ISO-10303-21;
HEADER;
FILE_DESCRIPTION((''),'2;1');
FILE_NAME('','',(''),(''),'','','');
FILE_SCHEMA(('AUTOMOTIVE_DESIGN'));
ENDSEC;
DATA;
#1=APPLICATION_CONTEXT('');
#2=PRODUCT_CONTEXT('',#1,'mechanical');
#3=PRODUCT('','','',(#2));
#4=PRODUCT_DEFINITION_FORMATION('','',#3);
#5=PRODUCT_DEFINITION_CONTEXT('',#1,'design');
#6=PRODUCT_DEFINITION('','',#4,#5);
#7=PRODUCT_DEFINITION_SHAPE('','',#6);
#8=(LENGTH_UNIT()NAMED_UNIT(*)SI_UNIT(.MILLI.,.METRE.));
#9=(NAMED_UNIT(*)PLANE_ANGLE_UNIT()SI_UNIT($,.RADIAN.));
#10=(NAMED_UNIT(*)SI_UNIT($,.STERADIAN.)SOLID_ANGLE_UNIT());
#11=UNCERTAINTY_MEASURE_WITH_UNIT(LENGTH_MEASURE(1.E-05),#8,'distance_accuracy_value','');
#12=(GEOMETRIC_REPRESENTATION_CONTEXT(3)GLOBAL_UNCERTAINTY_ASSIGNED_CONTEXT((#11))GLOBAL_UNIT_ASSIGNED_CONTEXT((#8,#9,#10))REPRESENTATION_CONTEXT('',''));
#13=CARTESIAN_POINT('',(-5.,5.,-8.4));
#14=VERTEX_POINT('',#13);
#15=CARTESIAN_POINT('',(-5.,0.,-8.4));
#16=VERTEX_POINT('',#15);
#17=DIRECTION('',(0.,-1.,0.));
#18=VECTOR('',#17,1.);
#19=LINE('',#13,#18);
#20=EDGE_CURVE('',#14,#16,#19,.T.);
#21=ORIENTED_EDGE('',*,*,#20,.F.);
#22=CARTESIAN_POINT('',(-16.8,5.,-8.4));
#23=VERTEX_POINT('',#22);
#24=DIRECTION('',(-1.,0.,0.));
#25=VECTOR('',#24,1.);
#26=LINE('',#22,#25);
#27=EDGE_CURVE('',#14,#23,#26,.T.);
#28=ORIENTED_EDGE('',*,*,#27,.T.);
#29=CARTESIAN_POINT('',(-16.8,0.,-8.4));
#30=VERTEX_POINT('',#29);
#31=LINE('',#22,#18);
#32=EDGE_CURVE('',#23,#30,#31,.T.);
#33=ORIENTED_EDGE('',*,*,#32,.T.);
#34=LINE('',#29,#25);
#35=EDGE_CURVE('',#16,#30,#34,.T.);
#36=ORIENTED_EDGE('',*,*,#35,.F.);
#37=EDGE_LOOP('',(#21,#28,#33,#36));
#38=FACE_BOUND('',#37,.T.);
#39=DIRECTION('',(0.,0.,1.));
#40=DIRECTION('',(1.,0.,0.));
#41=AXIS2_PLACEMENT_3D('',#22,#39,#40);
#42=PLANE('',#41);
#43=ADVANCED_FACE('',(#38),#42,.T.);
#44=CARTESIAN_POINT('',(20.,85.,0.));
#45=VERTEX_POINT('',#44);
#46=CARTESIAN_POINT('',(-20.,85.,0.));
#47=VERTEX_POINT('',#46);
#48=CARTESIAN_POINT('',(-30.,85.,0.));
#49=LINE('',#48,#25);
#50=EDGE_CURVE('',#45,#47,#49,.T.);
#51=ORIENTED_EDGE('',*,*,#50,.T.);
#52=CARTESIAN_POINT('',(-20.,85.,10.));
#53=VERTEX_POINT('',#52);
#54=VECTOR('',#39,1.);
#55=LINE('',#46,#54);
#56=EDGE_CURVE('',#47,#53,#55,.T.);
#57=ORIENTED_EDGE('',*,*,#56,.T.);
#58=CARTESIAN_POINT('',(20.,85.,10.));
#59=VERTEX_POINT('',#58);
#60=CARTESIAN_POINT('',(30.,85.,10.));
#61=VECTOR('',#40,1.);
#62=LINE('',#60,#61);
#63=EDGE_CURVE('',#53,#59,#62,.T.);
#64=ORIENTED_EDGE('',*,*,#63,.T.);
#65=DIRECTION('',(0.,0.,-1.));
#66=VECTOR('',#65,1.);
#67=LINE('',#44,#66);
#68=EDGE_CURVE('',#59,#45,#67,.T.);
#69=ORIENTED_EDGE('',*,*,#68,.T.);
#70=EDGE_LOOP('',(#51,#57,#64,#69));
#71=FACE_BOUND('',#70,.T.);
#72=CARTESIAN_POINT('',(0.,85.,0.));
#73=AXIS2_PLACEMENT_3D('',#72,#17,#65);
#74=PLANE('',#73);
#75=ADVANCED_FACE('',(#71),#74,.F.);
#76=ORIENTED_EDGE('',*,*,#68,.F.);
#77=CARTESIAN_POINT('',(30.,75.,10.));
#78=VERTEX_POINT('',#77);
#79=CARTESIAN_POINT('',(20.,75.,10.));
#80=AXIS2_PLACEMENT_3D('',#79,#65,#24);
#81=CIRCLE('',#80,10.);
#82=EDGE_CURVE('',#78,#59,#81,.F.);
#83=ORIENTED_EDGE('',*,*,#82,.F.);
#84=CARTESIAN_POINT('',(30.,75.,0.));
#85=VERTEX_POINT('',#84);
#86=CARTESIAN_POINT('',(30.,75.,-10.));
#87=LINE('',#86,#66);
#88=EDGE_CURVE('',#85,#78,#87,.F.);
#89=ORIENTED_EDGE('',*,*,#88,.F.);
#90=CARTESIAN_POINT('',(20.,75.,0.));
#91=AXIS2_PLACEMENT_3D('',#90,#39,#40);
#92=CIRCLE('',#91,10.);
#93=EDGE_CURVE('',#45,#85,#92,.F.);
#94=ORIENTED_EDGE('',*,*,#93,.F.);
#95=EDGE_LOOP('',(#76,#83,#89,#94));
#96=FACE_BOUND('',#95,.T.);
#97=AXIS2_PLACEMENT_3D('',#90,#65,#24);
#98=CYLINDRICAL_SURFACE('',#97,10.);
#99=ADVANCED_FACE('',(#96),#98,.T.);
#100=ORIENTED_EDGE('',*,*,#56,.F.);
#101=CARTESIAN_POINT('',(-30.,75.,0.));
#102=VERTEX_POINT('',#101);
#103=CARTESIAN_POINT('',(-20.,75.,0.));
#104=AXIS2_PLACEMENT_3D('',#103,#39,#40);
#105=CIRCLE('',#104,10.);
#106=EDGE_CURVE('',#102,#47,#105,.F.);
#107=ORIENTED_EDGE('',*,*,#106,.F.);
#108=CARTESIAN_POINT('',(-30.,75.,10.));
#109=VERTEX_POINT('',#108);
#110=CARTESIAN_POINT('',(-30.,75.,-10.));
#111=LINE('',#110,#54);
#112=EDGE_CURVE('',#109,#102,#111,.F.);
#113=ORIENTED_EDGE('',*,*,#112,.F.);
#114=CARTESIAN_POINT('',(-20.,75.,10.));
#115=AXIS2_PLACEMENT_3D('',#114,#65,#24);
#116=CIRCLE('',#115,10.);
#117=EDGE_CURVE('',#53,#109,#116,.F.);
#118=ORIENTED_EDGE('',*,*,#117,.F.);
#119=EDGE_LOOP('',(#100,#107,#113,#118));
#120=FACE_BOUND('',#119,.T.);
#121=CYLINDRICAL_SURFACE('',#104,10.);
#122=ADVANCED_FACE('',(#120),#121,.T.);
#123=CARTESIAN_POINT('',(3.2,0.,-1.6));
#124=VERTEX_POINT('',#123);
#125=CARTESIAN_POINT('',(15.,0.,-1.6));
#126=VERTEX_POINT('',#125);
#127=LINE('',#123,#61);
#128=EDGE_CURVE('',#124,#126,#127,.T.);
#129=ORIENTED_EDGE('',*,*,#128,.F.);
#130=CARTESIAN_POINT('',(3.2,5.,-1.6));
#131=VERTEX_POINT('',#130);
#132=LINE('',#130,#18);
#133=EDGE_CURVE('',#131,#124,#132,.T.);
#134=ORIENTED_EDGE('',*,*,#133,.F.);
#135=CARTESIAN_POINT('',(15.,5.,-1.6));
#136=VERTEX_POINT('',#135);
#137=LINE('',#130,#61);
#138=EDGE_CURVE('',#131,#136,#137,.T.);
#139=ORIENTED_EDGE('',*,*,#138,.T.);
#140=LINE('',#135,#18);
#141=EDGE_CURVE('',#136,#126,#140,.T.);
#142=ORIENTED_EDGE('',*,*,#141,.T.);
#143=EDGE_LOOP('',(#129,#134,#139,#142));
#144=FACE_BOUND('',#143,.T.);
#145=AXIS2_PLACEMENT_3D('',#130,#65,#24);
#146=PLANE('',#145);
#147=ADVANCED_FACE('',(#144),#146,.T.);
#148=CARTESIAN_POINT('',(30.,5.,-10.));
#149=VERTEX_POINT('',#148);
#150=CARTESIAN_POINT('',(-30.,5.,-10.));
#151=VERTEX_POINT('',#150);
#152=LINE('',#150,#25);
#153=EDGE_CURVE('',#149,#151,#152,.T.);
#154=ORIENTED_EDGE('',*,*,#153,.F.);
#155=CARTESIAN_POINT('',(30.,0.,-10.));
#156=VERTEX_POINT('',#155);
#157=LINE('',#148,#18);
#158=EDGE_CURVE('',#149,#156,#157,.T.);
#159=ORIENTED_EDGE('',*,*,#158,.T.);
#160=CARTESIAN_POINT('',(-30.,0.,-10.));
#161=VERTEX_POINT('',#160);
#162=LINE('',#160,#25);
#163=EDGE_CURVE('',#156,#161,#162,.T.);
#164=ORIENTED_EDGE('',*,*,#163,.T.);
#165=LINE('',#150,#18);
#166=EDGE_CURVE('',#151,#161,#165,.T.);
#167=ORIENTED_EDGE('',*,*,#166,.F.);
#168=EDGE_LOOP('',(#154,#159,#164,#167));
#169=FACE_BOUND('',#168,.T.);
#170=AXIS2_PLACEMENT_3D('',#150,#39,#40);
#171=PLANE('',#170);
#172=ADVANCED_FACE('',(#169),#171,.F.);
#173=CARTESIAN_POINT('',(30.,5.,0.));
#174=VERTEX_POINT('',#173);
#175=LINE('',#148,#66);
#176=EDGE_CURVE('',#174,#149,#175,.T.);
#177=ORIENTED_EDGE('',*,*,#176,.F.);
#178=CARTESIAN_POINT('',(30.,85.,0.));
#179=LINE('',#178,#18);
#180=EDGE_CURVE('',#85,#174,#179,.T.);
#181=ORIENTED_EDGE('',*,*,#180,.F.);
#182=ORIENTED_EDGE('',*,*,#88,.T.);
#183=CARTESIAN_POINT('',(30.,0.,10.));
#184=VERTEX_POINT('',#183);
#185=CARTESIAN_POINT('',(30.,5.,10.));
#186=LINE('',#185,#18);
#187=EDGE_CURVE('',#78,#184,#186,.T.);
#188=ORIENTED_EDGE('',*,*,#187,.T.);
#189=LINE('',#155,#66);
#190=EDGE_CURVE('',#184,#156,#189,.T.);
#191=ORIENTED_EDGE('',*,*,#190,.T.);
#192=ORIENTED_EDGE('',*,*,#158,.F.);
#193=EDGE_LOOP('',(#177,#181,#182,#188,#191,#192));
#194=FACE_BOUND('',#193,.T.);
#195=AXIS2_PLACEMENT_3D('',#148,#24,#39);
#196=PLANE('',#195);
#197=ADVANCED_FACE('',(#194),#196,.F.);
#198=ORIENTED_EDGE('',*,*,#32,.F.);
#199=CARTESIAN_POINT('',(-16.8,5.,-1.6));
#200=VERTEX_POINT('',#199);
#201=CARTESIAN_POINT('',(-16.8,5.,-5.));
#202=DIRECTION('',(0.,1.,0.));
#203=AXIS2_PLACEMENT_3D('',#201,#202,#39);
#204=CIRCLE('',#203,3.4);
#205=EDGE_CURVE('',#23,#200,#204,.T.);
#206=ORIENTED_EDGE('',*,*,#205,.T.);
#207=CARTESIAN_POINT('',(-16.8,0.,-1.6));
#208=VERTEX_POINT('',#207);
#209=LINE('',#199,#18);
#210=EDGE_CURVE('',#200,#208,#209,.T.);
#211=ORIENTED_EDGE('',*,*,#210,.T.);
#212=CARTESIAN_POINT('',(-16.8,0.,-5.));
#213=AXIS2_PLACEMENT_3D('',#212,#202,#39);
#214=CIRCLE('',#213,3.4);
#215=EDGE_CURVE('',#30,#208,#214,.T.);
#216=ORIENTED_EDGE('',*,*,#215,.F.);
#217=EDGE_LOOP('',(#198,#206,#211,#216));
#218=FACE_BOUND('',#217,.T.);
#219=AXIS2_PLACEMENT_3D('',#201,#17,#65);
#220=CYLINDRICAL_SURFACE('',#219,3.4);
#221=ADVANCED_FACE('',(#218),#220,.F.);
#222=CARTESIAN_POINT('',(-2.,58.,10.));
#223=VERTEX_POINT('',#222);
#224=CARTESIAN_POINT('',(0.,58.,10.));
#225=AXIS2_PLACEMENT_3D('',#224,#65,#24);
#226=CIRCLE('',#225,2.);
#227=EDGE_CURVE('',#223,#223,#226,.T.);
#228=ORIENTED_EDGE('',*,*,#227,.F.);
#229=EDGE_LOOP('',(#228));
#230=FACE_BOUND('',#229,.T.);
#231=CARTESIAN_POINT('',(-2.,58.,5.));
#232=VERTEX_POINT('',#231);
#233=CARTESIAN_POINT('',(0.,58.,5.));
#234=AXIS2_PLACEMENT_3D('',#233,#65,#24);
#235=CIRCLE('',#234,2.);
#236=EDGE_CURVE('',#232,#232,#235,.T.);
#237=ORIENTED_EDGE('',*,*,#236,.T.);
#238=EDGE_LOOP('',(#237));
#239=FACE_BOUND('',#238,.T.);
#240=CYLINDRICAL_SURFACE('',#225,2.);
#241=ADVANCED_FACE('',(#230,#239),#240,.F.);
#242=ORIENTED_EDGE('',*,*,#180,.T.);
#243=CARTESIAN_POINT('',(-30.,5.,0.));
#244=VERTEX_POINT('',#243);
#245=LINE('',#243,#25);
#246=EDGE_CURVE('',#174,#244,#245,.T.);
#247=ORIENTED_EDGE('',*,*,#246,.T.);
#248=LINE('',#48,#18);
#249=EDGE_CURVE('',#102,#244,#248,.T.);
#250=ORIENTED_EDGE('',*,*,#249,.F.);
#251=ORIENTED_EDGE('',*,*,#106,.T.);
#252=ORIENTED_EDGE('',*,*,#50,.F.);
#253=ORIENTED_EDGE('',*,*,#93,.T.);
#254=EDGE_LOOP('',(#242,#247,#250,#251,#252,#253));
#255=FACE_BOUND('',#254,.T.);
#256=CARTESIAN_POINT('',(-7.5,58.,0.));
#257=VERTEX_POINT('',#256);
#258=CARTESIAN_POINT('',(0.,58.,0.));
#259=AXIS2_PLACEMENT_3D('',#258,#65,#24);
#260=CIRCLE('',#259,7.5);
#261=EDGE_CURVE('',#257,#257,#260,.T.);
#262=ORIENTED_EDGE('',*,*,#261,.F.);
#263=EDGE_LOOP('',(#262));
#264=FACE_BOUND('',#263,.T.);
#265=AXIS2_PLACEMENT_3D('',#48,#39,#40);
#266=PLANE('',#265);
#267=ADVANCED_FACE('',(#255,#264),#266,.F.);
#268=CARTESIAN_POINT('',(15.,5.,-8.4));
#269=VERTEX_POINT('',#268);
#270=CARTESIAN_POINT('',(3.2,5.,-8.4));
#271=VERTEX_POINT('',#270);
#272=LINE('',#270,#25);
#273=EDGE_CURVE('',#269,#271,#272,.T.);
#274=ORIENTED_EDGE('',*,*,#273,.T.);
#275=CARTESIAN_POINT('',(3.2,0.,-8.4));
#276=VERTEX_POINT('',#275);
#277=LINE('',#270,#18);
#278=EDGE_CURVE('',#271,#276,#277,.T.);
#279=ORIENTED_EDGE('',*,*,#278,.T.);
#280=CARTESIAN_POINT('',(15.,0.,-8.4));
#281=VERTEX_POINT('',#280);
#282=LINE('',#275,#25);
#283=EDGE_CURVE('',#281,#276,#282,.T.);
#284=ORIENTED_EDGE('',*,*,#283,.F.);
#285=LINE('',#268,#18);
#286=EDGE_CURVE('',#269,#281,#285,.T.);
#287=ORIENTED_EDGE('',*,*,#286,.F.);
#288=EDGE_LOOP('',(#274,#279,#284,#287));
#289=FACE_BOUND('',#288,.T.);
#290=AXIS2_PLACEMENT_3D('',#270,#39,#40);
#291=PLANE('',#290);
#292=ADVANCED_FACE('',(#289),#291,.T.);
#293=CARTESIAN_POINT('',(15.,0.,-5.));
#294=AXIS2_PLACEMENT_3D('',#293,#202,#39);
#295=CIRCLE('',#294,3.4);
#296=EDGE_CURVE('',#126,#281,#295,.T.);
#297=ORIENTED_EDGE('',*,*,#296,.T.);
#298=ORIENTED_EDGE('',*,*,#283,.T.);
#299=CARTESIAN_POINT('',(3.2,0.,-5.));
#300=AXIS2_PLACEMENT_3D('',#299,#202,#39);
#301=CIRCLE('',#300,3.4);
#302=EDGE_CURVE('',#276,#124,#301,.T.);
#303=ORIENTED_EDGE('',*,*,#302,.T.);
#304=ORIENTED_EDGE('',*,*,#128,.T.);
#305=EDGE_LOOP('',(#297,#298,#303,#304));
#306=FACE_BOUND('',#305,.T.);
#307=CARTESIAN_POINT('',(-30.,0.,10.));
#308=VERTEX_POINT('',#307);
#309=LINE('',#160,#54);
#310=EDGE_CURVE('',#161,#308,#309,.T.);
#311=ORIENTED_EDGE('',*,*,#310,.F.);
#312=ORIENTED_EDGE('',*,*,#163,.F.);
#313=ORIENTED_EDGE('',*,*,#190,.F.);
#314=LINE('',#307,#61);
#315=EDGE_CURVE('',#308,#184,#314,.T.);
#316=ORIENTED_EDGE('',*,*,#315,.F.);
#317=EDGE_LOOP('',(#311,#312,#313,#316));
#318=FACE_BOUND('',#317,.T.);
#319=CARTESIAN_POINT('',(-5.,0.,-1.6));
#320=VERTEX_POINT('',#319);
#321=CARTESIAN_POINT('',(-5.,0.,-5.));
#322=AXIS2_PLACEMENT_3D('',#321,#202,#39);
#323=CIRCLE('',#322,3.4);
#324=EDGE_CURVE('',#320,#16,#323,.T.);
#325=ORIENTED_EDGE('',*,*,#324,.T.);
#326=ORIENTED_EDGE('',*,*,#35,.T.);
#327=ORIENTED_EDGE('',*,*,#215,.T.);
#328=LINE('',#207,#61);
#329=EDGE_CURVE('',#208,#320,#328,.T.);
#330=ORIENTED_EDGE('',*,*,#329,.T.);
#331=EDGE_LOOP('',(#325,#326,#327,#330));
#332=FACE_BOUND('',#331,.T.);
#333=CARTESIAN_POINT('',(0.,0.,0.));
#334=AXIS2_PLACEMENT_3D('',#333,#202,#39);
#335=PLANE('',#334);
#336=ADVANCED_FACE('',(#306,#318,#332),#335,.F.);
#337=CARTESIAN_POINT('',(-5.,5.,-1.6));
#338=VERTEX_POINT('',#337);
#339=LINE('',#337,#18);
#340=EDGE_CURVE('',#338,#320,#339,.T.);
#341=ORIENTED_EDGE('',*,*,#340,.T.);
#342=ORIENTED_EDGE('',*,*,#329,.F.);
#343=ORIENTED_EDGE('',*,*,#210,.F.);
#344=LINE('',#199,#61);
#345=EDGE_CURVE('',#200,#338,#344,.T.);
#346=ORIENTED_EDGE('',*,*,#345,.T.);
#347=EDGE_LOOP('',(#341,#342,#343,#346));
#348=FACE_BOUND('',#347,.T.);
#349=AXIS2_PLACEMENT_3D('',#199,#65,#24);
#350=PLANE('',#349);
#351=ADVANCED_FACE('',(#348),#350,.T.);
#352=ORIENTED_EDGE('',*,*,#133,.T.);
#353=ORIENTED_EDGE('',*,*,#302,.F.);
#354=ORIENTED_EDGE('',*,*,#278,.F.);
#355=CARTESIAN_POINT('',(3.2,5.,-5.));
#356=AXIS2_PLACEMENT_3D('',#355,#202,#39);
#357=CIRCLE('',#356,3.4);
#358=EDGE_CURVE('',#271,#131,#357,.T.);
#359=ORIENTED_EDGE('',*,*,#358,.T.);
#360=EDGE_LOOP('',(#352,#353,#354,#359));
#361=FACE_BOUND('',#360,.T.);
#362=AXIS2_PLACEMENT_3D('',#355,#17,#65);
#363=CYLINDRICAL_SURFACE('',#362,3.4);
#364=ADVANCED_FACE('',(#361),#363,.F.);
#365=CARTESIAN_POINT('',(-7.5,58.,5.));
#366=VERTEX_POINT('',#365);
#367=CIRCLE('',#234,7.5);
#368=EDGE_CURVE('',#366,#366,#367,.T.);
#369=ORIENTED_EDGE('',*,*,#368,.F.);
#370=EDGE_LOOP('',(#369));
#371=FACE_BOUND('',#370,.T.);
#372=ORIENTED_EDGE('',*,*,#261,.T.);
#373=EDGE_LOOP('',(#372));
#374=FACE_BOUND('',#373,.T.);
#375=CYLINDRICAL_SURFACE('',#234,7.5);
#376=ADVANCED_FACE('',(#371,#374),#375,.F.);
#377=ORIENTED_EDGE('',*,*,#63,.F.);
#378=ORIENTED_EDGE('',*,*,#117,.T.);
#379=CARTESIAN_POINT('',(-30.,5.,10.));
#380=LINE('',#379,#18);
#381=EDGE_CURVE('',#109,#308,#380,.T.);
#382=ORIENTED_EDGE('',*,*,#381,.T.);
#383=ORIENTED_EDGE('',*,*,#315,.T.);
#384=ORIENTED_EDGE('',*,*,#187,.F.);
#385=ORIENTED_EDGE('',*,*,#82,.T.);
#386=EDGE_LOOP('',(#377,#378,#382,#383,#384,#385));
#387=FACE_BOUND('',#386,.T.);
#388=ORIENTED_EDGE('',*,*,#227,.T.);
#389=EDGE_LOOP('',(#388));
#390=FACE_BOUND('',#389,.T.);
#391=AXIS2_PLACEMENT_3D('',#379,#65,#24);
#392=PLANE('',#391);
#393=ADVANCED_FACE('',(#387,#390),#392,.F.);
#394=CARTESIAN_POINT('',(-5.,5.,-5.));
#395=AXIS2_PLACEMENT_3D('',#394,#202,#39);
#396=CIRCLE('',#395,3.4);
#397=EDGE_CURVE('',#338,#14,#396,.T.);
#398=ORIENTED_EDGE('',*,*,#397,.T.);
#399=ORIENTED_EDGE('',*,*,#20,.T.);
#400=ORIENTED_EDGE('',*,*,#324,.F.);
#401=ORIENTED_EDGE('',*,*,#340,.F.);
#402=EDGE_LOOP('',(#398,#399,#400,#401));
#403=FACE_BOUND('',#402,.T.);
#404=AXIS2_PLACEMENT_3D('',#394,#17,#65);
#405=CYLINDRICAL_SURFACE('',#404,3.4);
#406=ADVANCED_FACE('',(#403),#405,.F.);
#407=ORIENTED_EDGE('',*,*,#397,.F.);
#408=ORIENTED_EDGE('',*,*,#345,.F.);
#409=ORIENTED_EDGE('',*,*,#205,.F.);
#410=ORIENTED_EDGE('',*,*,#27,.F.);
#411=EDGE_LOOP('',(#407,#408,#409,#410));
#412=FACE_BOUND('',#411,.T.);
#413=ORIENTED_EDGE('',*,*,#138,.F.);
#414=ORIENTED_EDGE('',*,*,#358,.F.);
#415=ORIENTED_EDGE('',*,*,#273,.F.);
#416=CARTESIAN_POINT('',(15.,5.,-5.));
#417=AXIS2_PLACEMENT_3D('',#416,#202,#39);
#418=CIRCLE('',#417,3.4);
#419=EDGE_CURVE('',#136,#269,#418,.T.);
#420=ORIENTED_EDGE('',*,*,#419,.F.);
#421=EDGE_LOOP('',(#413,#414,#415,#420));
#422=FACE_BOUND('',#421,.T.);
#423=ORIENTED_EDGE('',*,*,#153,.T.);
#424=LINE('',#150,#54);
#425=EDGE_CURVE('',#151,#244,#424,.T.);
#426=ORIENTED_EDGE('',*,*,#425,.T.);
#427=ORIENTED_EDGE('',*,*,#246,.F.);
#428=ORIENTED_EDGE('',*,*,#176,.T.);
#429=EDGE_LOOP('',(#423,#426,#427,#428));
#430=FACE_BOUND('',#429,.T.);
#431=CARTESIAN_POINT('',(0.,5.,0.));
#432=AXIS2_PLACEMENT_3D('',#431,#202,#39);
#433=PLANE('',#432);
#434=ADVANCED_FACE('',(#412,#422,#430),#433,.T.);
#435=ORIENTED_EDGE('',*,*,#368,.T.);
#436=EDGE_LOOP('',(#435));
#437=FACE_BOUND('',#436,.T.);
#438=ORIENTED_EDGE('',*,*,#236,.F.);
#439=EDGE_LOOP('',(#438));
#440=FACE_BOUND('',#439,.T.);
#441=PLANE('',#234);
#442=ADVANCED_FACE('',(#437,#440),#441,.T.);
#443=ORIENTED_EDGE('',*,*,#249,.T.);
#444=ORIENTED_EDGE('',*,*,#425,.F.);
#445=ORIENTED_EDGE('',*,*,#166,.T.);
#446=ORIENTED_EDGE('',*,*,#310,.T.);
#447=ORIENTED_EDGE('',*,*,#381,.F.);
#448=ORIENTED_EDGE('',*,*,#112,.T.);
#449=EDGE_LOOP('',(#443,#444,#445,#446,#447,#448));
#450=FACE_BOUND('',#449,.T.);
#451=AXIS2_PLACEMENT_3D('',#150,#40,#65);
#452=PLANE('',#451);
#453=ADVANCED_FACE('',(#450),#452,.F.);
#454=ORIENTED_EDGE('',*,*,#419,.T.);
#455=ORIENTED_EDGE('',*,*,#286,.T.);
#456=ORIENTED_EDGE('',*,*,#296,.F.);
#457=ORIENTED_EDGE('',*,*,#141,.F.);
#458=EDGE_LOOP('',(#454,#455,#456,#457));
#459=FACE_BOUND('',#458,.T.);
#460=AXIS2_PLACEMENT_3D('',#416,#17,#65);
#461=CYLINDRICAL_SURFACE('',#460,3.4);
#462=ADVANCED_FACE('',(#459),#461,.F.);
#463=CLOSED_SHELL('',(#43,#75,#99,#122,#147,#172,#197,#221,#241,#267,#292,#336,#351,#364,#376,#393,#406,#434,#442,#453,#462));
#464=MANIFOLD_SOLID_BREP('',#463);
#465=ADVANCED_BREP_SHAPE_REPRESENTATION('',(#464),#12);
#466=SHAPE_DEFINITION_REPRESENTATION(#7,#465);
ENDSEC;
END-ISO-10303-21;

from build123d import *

# Parameters (mm, degrees)
SKETCH1_W           = 60
SKETCH1_H           = 20
BOSS_EXTRUDE1_DEPTH = 5
SKETCH2_W           = 60
SKETCH2_H           = 10
BOSS_EXTRUDE2_DEPTH = 80
SKETCH3_R           = 7.5
CUT_EXTRUDE1_DEPTH  = 5
FILLET1_R           = 10
SKETCH4_R           = 2
CUT_EXTRUDE2_DEPTH  = 92.378334412


with BuildPart() as part:
    # Sketch1 → Boss-Extrude1 (new body)
    with BuildSketch(Plane(origin=(0, 0, 0), x_dir=(1, 0, 0), z_dir=(0, 1, 0))):
        Rectangle(SKETCH1_W, SKETCH1_H)
        with BuildLine():
            Line((-16.8, 8.4), (-5, 8.4))
            ThreePointArc((-5, 8.4), (-1.6, 5), (-5, 1.6))
            Line((-5, 1.6), (-16.8, 1.6))
            ThreePointArc((-16.8, 1.6), (-20.2, 5), (-16.8, 8.4))
        make_face(mode=Mode.SUBTRACT)
        with BuildLine():
            Line((3.2, 8.4), (15, 8.4))
            ThreePointArc((15, 8.4), (18.4, 5), (15, 1.6))
            Line((15, 1.6), (3.2, 1.6))
            ThreePointArc((3.2, 1.6), (-0.2, 5), (3.2, 8.4))
        make_face(mode=Mode.SUBTRACT)
    extrude(amount=BOSS_EXTRUDE1_DEPTH)

    # Sketch2 → Boss-Extrude2 (add)
    with BuildSketch(Plane(origin=(0, 5, 0), x_dir=(1, 0, 0), z_dir=(0, 1, 0))):
        with Locations((0, -5)):
            Rectangle(SKETCH2_W, SKETCH2_H)
    extrude(amount=BOSS_EXTRUDE2_DEPTH)

    # Sketch3 → Cut-Extrude1 (cut)
    with BuildSketch(Plane(origin=(0, 0, 0), x_dir=(-1, 0, 0), z_dir=(0, 0, -1))):
        with Locations((0, 58)):
            Circle(SKETCH3_R)
    extrude(amount=-CUT_EXTRUDE1_DEPTH, mode=Mode.SUBTRACT)

    # Fillet1
    fillet1_edges = [part.edges().sort_by_distance(p)[0] for p in [
        (30, 85, 5),
        (-30, 85, 5),
    ]]
    fillet(fillet1_edges, radius=FILLET1_R)

    # Sketch4 → Cut-Extrude2 (cut, through all)
    with BuildSketch(Plane(origin=(0, 0, 5), x_dir=(-1, 0, 0), z_dir=(0, 0, -1))):
        with Locations((0, 58)):
            Circle(SKETCH4_R)
    extrude(amount=-CUT_EXTRUDE2_DEPTH, mode=Mode.SUBTRACT)


solid = part.part
